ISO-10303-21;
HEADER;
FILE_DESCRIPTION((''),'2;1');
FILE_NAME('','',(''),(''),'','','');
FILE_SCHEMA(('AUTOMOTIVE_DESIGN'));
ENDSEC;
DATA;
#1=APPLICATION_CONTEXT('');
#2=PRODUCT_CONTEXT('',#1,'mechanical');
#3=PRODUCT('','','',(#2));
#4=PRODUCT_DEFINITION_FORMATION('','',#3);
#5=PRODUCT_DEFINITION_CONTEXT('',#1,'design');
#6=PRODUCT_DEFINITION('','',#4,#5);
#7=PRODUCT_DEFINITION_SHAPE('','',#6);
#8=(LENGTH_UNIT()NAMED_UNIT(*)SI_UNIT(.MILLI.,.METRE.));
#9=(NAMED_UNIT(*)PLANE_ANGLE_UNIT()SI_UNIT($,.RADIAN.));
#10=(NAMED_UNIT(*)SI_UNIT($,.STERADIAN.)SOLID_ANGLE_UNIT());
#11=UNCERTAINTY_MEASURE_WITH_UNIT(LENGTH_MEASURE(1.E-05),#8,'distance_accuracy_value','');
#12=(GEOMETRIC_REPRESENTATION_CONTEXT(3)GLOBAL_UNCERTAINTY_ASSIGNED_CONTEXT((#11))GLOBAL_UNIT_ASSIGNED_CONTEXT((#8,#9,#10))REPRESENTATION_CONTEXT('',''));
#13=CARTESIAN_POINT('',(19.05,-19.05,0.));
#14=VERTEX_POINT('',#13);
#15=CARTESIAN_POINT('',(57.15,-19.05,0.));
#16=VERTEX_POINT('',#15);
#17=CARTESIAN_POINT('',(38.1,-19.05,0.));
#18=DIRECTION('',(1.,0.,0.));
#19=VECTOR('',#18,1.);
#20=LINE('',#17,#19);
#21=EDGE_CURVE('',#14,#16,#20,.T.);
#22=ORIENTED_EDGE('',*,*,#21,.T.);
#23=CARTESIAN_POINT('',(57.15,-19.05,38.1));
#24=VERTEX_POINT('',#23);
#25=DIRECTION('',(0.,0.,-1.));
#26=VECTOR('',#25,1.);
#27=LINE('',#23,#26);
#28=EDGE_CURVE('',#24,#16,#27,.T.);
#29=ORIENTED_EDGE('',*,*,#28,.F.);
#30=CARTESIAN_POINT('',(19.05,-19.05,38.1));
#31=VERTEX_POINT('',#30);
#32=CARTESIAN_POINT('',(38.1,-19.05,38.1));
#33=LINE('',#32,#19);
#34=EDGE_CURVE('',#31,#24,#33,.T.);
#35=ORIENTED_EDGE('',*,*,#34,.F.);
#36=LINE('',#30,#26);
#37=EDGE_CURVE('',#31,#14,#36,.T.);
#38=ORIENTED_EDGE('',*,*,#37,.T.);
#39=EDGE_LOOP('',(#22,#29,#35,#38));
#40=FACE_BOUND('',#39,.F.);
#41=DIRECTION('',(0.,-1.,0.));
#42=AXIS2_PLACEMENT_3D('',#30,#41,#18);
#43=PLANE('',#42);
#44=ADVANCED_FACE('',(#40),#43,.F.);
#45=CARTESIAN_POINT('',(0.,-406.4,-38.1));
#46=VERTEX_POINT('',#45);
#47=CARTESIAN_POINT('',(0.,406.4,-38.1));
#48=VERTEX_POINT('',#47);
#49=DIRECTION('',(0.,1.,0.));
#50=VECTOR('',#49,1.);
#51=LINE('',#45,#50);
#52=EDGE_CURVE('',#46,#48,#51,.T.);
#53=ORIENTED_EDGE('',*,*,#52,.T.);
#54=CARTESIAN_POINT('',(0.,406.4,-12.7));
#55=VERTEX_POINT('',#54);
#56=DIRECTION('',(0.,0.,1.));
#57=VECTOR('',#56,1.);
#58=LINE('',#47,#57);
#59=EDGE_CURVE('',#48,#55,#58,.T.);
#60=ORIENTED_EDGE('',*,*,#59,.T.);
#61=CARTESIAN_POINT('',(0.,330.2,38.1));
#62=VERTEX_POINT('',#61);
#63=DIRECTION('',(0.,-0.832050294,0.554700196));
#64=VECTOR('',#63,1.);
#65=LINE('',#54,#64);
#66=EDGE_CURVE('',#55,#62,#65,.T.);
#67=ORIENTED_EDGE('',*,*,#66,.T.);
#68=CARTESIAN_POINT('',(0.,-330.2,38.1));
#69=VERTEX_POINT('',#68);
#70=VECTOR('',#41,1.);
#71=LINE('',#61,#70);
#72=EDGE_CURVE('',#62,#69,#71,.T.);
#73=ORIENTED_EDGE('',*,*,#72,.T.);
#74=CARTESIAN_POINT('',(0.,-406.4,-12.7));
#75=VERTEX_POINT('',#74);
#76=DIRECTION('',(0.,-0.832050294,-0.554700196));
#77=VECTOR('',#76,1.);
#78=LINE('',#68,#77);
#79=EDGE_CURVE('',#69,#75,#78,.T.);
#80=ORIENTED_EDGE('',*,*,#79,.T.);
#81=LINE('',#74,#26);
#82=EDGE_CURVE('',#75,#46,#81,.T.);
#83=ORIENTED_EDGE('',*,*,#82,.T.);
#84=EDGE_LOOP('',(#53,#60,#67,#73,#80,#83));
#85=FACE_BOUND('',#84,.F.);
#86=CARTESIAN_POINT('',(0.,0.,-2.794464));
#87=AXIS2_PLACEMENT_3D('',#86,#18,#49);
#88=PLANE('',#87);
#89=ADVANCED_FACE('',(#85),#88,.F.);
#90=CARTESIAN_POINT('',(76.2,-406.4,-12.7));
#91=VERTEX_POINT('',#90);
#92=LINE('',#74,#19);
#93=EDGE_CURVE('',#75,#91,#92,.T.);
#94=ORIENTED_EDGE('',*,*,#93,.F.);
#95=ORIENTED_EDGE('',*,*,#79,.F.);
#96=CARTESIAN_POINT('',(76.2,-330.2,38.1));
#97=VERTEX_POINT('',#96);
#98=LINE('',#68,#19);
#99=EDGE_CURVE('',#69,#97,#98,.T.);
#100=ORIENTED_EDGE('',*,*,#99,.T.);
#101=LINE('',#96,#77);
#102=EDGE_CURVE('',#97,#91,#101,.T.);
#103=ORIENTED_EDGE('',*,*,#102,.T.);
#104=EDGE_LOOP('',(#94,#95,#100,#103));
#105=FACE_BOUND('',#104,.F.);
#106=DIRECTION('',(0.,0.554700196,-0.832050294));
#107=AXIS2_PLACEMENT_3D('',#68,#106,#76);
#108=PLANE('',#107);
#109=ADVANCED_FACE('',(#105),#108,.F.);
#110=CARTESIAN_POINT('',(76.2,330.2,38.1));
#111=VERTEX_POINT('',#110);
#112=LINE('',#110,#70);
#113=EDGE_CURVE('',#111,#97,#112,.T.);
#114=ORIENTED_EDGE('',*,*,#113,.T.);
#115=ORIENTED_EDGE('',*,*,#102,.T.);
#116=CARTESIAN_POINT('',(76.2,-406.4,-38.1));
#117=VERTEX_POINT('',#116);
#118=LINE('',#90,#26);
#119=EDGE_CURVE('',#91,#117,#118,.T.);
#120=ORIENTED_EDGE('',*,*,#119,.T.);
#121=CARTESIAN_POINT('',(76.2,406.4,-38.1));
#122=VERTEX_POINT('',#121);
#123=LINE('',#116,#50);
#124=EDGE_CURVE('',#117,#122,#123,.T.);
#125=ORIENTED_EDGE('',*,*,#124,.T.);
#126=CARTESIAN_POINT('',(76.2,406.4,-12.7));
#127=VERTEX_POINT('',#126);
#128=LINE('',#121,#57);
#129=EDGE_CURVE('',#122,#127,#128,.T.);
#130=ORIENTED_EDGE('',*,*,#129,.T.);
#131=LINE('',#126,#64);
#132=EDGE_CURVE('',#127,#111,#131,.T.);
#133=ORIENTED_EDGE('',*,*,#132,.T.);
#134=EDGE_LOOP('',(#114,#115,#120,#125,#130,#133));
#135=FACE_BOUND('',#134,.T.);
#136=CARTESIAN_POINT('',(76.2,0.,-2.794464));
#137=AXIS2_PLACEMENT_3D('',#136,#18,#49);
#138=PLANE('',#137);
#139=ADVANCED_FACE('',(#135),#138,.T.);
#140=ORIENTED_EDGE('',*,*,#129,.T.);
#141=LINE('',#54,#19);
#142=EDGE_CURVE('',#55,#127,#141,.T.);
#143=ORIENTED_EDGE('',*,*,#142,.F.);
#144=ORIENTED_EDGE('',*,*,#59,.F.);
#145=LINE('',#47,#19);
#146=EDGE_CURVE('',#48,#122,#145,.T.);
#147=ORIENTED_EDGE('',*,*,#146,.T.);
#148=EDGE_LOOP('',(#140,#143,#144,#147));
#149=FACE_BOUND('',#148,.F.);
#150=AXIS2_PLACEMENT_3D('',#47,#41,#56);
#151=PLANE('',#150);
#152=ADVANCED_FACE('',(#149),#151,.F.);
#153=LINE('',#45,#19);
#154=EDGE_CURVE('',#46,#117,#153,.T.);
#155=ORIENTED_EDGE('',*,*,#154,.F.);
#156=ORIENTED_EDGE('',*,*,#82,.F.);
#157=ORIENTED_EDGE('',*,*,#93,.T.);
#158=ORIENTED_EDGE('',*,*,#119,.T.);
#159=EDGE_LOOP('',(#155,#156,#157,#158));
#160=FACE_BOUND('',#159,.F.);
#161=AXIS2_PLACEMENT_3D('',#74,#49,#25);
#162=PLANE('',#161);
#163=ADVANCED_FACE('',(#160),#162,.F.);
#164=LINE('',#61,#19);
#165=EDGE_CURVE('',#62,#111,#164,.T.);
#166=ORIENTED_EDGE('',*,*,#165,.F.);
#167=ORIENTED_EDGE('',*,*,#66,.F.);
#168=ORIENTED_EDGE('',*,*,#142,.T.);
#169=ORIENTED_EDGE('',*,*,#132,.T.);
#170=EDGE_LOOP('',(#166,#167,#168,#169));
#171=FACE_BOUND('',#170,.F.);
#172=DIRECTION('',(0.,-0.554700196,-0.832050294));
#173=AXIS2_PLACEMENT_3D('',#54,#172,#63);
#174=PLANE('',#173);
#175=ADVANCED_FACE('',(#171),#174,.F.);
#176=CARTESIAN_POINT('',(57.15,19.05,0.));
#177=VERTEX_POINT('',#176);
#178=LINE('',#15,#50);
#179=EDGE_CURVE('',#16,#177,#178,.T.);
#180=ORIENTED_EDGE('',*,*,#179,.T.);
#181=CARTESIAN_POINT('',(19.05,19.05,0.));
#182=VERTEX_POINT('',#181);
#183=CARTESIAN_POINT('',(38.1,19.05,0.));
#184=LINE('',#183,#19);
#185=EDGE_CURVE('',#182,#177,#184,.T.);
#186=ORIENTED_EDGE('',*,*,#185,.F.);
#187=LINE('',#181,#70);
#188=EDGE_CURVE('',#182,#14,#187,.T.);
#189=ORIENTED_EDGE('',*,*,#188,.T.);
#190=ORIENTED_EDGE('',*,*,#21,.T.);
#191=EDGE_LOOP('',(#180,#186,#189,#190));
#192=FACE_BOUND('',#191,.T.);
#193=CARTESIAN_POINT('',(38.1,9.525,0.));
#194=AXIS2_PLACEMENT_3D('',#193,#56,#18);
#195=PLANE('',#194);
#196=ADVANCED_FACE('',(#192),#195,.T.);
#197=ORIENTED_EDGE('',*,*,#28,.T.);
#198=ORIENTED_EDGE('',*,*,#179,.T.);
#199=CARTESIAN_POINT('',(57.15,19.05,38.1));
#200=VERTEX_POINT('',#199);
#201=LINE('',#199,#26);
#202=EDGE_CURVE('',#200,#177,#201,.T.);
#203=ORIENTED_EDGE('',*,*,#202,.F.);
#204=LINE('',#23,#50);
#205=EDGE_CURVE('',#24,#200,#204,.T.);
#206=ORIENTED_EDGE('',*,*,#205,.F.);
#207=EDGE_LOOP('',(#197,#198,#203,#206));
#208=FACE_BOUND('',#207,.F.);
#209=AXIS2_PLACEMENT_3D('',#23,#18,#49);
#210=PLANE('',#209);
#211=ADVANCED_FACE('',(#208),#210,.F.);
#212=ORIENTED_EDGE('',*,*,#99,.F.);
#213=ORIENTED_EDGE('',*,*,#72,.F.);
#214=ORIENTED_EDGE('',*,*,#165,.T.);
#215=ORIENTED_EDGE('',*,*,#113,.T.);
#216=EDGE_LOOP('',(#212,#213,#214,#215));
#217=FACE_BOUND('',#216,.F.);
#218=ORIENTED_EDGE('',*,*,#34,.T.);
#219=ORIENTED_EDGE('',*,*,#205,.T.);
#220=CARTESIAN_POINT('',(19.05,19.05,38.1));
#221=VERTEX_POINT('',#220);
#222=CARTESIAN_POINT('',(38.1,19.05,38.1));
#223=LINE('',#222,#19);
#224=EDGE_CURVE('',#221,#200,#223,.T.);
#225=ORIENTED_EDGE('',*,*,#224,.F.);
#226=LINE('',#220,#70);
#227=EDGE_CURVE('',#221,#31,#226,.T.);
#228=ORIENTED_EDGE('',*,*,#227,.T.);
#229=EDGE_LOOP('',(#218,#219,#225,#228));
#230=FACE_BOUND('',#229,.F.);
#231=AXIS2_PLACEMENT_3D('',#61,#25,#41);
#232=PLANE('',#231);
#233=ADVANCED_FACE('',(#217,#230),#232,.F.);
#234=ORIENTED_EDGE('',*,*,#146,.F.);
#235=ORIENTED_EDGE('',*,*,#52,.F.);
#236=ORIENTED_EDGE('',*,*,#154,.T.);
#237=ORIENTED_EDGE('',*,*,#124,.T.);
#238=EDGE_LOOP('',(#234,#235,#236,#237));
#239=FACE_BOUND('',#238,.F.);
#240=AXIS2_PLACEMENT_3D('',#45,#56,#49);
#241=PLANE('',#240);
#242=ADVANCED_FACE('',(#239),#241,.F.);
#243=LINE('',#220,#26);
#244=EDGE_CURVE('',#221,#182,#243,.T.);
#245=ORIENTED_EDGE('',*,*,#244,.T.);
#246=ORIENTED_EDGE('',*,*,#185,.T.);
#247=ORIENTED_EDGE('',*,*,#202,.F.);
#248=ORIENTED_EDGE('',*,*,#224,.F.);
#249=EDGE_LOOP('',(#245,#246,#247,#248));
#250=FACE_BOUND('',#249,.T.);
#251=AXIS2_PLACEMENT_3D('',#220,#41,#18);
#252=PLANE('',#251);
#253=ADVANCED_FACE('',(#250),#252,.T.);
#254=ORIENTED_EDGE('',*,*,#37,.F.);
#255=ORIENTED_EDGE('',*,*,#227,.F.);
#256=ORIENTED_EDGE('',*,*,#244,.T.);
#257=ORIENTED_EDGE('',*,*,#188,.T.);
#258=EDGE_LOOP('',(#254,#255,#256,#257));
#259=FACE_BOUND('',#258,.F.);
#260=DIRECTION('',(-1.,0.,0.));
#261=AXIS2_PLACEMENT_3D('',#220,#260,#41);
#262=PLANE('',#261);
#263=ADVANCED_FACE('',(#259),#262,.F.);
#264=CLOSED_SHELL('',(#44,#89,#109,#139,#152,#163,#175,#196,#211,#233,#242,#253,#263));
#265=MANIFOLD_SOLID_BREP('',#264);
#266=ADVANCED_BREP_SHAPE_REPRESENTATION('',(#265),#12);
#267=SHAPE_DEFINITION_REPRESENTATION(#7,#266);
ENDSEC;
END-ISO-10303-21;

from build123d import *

# Parameters (mm, degrees)
F1_DEPTH = 76.2
F2_W     = 38.1
F2_H     = 19.05
F3_DEPTH = 38.1


with BuildPart() as f1:
    # F0 (on Right) → F1 (new body)
    with BuildSketch(Plane.YZ):
        Polygon((406.4, -12.7), (330.2, 38.1), (-330.2, 38.1), (-406.4, -12.7), (-406.4, -38.1), (-292.1, -38.1), (292.1, -38.1), (406.4, -38.1), align=None)
    extrude(amount=F1_DEPTH)

    # F2 (on face) → F3 (cut)
    with BuildSketch(Plane.XY.offset(38.1)):
        with Locations((38.1, 9.525)):
            Rectangle(F2_W, F2_H)
        with Locations((38.1, -9.525)):
            Rectangle(F2_W, F2_H)
    extrude(amount=-F3_DEPTH, mode=Mode.SUBTRACT)


solid = f1.part
